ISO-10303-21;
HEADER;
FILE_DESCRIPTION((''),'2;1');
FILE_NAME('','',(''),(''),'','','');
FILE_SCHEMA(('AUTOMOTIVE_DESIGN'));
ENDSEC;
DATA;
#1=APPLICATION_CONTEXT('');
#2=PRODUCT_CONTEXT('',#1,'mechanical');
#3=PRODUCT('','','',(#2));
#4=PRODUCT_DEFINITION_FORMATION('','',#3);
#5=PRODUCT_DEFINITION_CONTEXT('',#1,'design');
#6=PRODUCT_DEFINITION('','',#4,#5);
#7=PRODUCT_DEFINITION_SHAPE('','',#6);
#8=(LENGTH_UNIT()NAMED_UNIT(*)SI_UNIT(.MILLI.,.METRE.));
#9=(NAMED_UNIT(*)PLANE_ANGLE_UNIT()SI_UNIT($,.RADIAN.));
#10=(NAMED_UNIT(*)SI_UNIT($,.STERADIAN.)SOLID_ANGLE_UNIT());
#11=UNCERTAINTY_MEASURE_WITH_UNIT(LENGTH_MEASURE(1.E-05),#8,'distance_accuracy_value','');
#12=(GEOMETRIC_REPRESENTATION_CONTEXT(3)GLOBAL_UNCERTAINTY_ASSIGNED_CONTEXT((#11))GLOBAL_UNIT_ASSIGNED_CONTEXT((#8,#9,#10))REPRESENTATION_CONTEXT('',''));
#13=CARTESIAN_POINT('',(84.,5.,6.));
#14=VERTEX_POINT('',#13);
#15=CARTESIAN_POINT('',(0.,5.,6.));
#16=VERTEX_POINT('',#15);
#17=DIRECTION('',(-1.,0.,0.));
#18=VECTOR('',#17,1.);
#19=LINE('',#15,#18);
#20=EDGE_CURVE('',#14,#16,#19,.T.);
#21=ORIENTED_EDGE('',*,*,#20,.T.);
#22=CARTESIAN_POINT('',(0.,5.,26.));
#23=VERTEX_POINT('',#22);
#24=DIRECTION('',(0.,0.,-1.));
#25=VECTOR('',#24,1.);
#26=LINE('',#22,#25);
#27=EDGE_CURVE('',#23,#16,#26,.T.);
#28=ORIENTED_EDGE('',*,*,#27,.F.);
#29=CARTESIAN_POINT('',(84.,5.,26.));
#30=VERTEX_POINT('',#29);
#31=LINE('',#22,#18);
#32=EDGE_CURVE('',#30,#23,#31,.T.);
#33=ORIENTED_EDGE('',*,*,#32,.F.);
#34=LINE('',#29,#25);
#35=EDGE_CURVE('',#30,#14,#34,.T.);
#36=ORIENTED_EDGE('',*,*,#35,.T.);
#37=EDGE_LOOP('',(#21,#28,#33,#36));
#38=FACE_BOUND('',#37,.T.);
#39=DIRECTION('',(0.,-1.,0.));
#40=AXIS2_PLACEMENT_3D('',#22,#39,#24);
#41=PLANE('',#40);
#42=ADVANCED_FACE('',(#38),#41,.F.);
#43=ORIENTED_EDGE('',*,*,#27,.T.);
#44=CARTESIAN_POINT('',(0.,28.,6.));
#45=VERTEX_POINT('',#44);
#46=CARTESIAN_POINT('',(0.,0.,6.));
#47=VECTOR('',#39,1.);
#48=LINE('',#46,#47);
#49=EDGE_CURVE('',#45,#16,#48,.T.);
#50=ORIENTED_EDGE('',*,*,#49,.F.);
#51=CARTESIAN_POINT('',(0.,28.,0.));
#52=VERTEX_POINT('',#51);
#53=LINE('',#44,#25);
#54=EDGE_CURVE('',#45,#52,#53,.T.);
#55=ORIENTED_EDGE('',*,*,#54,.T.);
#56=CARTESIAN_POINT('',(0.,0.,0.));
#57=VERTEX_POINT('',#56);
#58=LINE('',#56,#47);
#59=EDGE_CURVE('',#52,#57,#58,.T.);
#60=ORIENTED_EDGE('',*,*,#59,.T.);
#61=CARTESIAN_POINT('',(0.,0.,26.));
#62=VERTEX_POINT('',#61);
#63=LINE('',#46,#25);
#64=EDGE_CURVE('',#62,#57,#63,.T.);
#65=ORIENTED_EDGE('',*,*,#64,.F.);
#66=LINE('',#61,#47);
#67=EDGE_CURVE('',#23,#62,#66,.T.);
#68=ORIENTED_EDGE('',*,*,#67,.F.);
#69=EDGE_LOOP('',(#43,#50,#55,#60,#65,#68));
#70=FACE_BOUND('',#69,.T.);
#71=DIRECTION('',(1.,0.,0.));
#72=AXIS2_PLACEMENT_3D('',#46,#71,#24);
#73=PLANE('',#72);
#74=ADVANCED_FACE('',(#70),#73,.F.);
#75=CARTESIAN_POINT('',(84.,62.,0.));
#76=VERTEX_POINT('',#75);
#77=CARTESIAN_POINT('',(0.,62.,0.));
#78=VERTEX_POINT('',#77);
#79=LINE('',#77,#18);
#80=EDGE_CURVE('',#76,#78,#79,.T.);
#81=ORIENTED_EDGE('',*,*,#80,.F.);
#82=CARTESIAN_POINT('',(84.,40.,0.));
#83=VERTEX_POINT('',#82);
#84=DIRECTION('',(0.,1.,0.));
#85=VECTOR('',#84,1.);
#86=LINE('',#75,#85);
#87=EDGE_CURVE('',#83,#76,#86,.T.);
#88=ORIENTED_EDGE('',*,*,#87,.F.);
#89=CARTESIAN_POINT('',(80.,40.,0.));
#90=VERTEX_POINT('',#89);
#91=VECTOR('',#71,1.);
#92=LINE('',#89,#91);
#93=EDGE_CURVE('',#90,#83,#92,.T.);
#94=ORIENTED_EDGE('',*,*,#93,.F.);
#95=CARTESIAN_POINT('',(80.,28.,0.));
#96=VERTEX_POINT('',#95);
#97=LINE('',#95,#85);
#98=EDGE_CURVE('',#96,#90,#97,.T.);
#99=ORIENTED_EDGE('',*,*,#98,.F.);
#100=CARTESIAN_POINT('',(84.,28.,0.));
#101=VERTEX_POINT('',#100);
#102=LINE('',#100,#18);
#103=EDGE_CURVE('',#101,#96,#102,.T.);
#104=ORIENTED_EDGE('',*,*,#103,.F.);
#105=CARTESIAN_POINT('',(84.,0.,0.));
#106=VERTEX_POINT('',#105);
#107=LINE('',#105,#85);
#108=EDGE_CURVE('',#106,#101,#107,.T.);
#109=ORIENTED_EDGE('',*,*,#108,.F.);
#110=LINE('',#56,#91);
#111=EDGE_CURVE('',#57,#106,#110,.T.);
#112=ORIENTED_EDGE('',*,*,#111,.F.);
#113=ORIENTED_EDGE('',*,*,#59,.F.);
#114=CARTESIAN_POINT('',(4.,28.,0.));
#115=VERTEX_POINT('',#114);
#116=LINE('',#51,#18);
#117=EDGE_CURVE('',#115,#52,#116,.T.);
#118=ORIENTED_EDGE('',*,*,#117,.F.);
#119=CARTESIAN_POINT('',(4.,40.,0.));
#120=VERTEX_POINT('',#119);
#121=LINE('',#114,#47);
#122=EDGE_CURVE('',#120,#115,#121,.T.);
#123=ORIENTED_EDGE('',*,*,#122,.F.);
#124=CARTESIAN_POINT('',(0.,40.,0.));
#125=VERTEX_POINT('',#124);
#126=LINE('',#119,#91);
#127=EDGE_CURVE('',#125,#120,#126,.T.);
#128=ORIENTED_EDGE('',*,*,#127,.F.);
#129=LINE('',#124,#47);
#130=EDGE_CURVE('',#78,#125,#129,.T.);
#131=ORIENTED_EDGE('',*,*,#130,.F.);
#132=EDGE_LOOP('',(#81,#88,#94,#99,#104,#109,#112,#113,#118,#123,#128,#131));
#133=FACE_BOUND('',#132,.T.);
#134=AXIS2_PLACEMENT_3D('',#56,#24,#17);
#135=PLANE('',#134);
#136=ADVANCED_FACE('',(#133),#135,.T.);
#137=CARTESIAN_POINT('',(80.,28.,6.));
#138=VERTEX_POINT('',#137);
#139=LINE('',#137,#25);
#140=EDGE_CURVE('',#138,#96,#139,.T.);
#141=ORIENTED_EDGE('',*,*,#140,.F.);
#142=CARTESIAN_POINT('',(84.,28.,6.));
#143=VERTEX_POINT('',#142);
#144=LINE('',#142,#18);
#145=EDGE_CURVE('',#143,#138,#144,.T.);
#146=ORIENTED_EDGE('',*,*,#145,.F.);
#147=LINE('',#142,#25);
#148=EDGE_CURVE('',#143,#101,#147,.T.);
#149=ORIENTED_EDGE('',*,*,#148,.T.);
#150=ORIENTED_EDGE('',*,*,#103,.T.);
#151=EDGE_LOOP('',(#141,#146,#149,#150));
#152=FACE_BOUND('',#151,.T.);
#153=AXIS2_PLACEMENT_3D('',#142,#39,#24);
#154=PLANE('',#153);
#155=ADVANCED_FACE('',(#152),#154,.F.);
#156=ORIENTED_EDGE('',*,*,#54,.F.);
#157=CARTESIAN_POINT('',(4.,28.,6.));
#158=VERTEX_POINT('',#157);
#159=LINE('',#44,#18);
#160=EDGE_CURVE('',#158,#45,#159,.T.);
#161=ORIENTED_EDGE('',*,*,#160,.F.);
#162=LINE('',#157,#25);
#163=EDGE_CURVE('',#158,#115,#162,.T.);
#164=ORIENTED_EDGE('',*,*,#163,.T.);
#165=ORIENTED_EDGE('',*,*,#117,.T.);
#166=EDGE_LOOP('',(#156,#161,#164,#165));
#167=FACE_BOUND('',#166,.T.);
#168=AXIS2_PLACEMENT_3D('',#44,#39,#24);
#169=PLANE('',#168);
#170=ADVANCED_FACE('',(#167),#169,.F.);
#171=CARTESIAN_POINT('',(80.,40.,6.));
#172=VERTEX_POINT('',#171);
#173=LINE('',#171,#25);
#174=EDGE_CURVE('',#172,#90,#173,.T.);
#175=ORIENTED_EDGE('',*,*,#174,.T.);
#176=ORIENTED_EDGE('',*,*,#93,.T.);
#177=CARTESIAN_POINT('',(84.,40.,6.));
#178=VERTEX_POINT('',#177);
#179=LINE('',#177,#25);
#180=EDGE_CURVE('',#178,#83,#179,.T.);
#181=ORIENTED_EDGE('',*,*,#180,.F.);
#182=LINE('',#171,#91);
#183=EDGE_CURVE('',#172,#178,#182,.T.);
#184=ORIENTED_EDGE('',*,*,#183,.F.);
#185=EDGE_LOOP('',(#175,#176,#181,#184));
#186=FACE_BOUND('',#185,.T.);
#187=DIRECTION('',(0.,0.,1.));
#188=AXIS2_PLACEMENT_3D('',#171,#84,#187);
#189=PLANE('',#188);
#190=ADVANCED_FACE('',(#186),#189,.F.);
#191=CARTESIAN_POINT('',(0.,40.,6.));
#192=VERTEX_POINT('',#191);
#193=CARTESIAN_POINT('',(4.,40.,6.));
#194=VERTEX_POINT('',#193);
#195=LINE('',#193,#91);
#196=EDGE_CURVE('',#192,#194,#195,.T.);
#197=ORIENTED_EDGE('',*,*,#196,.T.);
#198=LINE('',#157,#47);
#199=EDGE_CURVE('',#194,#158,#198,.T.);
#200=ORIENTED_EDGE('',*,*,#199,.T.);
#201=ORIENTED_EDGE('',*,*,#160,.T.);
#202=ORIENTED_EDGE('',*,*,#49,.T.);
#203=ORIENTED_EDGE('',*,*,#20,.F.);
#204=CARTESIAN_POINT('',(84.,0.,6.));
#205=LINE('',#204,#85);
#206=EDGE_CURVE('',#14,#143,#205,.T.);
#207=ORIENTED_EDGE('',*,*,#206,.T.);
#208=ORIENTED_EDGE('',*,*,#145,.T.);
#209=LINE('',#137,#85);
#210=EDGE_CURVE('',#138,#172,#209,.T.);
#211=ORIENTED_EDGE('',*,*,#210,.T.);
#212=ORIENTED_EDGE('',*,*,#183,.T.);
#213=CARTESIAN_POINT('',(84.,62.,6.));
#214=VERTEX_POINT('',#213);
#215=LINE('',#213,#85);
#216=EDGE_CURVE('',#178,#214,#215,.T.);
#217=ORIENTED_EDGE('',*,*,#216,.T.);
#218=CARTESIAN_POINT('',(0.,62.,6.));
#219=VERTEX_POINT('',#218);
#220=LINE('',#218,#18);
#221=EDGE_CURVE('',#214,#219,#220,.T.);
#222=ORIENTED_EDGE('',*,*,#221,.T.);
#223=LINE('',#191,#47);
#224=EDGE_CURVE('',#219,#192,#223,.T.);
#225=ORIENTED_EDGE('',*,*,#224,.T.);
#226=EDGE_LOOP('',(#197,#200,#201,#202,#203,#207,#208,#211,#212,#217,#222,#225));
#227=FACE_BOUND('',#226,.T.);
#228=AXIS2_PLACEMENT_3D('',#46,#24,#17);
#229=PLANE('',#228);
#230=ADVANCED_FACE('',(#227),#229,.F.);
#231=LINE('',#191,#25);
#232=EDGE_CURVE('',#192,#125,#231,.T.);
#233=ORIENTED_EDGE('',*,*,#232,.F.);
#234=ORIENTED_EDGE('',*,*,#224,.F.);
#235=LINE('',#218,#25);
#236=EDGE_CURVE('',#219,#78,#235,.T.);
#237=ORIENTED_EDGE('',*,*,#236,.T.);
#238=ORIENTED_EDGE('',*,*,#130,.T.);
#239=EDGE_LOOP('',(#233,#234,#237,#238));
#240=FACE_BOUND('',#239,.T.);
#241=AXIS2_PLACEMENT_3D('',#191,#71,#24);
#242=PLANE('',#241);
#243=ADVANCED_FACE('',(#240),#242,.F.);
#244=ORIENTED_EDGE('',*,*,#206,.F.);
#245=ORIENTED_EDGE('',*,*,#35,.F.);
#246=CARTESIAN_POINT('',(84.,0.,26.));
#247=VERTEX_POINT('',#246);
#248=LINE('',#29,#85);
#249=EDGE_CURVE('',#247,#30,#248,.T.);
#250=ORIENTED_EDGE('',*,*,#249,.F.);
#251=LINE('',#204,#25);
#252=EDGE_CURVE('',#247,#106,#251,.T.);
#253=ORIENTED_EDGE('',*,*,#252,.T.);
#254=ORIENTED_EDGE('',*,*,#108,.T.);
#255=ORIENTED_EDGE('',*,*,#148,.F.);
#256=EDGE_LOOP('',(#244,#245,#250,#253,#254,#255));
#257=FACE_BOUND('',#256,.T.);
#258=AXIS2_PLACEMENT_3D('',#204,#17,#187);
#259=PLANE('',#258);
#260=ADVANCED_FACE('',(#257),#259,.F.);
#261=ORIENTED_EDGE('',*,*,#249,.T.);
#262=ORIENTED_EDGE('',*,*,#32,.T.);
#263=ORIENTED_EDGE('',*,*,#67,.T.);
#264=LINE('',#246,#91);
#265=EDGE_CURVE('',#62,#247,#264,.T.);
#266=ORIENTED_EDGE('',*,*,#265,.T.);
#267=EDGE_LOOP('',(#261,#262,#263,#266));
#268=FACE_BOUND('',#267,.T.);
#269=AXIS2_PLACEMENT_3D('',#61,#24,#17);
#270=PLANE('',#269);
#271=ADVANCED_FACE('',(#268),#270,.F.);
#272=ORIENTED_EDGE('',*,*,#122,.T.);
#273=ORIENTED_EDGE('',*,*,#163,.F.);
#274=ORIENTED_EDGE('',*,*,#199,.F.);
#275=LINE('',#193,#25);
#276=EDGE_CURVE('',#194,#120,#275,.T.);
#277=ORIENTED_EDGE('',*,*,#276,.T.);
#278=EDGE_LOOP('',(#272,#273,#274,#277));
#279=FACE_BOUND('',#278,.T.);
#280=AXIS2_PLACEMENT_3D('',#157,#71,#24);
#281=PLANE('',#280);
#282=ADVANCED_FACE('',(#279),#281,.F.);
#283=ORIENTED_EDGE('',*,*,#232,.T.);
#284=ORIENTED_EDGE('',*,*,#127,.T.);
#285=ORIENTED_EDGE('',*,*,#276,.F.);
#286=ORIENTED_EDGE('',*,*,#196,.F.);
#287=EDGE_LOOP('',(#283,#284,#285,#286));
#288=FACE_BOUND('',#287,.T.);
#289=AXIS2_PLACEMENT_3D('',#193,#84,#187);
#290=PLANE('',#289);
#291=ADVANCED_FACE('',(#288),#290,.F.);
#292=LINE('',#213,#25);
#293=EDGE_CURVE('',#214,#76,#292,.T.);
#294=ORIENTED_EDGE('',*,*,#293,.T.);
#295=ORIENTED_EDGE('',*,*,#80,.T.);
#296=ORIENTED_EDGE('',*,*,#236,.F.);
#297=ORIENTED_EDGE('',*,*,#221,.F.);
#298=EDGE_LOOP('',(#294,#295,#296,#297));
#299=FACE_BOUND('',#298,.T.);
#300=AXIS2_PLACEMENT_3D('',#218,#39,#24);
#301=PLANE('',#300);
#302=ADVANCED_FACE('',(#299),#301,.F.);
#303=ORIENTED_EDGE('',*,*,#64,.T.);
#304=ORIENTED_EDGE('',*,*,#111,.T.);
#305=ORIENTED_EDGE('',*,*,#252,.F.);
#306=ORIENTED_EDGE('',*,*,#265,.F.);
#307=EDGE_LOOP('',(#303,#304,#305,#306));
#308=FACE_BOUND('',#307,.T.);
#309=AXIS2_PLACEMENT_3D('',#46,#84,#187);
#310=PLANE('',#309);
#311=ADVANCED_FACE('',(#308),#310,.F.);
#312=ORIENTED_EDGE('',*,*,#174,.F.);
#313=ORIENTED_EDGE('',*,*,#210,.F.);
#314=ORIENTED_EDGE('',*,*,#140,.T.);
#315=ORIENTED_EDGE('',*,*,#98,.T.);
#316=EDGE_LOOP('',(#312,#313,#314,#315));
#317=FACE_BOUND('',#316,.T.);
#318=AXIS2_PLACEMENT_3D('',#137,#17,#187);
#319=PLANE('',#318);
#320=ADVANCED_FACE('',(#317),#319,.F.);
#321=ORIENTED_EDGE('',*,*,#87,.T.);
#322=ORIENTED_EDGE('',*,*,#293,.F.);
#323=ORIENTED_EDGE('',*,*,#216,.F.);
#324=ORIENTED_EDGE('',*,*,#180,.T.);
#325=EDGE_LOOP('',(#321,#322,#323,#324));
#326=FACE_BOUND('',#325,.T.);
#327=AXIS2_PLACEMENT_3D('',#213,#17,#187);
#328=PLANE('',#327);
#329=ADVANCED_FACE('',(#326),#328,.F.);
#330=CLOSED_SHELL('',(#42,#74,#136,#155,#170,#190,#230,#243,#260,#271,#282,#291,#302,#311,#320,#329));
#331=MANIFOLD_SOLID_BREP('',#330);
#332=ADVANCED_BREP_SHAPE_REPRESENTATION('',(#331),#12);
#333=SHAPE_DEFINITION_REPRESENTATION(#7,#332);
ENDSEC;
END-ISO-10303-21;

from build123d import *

# Parameters (mm, degrees)
BOSS_EXTRUDE1_DEPTH = 6
SKETCH2_W           = 84
SKETCH2_H           = 5
BOSS_EXTRUDE2_DEPTH = 20


with BuildPart() as part:
    # Sketch1 → Boss-Extrude1 (new body)
    with BuildSketch(Plane.XY):
        Polygon((84, 62), (84, 40), (80, 40), (80, 28), (84, 28), (84, 0), (0, 0), (0, 28), (4, 28), (4, 40), (0, 40), (0, 62), align=None)
    extrude(amount=BOSS_EXTRUDE1_DEPTH)

    # Sketch2 → Boss-Extrude2 (add)
    with BuildSketch(Plane.XY.offset(6)):
        with Locations((42, 2.5)):
            Rectangle(SKETCH2_W, SKETCH2_H)
    extrude(amount=BOSS_EXTRUDE2_DEPTH)


solid = part.part
